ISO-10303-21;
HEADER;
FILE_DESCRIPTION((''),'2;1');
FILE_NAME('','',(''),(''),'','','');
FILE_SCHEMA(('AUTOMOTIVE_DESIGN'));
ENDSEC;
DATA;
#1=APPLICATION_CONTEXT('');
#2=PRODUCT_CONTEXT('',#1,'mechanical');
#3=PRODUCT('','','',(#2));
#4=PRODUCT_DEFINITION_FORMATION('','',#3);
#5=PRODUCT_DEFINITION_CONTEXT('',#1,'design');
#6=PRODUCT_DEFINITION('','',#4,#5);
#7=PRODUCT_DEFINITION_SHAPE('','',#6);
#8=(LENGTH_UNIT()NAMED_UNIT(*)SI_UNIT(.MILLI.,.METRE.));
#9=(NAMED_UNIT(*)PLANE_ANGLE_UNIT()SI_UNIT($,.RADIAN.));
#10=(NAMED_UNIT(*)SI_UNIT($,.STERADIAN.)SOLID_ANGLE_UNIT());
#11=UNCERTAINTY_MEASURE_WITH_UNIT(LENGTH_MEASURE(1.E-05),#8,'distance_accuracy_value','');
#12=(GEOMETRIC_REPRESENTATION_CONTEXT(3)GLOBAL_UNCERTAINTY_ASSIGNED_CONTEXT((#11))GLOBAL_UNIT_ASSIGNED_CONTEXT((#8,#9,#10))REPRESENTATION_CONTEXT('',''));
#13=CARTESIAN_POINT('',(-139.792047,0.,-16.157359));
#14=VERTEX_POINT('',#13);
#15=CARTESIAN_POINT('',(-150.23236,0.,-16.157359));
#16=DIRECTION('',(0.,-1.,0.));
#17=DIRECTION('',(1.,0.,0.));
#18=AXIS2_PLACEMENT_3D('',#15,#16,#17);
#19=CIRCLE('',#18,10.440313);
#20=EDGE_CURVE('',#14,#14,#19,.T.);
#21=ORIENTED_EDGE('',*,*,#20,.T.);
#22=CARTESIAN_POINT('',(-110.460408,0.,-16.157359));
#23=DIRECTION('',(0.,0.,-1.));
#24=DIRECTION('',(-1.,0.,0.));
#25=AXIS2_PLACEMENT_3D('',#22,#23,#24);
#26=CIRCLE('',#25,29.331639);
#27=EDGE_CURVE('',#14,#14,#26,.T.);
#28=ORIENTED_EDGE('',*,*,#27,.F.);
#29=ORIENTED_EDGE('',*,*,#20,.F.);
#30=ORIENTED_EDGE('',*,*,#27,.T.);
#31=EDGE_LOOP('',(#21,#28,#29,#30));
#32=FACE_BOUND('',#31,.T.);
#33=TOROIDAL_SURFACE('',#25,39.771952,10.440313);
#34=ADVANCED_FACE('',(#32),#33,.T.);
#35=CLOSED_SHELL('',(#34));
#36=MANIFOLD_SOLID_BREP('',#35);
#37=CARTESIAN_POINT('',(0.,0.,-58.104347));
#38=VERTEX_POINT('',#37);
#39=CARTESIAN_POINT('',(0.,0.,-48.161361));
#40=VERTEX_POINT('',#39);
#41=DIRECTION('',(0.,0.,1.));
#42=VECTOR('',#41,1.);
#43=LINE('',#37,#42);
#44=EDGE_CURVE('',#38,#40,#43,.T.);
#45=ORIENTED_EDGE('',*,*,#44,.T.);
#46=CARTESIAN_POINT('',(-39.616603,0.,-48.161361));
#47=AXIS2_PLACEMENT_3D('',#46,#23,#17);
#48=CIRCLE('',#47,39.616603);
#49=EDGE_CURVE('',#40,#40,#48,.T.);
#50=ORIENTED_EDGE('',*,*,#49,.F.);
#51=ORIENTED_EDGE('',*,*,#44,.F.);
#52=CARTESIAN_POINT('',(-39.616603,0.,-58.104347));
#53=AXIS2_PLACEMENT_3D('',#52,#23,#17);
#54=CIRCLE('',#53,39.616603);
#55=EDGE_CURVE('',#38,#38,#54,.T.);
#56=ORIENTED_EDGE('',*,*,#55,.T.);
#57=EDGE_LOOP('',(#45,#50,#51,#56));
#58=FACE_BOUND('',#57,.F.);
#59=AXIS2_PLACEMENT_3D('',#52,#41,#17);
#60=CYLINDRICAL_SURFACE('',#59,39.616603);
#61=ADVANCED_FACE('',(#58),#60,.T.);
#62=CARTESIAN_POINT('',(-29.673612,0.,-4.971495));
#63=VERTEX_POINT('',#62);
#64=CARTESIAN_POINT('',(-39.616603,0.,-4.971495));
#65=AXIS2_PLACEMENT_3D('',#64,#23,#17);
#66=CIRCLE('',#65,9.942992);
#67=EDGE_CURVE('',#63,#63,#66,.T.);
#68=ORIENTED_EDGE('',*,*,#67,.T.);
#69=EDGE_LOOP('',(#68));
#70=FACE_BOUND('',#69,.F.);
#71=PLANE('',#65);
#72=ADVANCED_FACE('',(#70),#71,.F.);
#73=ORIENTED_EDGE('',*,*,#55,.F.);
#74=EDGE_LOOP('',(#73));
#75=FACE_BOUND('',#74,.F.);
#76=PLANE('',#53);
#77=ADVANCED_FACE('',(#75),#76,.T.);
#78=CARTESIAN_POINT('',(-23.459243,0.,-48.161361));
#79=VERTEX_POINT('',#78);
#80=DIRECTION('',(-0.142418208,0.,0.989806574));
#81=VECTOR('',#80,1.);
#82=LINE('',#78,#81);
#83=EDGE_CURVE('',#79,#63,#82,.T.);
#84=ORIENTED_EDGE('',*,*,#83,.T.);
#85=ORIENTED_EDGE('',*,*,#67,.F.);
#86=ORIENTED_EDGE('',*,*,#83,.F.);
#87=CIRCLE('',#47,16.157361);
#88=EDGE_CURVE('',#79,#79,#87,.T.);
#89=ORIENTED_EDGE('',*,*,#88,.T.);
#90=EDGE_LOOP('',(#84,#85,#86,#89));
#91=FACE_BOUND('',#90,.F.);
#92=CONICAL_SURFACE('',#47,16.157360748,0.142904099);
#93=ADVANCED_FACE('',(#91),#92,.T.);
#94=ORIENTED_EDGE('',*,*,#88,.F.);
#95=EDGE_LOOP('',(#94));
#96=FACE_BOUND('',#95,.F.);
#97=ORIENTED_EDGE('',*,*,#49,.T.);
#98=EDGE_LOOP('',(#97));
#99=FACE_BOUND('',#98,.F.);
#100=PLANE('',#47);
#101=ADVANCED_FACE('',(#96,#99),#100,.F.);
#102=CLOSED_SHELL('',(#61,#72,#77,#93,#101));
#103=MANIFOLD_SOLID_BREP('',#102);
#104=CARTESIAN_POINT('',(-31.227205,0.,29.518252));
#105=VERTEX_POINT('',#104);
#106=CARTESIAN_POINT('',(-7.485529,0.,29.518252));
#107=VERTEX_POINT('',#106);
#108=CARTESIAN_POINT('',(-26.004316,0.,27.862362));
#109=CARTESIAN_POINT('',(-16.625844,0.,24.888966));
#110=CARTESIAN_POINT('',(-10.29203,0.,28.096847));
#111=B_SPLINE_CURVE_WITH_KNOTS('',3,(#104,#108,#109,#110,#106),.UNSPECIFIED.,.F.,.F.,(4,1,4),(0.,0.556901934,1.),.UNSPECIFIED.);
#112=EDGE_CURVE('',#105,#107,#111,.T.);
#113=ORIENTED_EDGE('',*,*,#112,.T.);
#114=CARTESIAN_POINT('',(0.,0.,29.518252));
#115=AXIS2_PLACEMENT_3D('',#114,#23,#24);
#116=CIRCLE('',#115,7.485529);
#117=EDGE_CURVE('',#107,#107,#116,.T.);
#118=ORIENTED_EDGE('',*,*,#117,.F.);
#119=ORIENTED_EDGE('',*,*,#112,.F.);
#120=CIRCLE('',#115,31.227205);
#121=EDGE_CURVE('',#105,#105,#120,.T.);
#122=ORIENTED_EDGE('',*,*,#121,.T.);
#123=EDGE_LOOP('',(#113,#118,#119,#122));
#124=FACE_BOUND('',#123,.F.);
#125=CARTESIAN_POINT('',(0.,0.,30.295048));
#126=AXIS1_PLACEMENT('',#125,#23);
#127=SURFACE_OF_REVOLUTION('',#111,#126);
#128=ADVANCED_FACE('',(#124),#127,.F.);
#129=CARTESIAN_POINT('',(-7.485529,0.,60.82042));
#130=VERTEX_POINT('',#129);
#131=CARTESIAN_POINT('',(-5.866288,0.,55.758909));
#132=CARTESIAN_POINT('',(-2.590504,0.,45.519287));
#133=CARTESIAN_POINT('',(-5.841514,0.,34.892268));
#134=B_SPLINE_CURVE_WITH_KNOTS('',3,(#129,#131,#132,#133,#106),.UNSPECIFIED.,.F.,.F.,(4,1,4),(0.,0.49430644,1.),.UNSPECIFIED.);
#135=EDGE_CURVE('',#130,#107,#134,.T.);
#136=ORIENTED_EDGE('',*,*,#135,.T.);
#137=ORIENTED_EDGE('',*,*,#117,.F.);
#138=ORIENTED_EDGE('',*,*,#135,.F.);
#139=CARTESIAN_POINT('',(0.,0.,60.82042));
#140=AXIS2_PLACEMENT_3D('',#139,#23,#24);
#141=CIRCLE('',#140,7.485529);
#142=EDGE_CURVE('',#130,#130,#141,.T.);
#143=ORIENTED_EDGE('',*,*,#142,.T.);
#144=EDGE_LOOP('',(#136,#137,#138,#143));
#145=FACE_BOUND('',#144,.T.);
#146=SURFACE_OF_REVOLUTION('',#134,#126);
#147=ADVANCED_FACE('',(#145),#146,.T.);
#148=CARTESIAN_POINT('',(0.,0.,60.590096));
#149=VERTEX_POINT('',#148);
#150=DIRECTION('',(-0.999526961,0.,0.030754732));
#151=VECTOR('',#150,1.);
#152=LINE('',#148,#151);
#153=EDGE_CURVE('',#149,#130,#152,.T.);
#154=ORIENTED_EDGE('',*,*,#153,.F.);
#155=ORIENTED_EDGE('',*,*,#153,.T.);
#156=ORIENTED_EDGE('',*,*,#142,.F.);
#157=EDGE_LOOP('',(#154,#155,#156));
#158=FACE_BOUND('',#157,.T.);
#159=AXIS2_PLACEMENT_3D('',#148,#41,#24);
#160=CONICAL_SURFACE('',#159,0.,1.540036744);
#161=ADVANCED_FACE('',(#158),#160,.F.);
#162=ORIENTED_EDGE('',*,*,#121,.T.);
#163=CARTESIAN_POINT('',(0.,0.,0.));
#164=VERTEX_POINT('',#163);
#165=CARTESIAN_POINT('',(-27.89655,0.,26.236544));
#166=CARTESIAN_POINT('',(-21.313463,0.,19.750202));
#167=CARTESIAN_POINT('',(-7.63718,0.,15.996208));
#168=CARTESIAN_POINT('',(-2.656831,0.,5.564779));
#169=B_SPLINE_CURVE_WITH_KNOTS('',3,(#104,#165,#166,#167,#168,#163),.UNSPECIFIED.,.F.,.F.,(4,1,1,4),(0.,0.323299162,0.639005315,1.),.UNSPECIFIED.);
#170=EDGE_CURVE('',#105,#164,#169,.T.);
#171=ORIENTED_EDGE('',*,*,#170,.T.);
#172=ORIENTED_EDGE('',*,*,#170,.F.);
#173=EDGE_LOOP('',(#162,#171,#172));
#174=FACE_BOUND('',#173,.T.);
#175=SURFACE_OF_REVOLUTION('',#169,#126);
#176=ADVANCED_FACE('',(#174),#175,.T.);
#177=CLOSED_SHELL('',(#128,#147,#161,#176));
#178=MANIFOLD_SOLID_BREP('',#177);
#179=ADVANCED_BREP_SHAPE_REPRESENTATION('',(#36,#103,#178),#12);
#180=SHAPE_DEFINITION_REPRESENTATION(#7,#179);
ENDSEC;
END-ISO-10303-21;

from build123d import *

# Parameters (mm, degrees)
F4_R = 10.4403131941


with BuildPart() as f1:
    # F0 (on Front) → F1 (revolve)
    with BuildSketch(Plane.XZ):
        with BuildLine():
            Line((0, 0), (0, 60.590095818))
            Line((0, 60.590095818), (-7.4855289422, 60.8204202103))
            add(Edge.make_bspline(
                [(-7.4855289422, 60.8204202103), (-5.8662878599, 55.7589090862), (-2.5905039536, 45.5192870417), (-5.8415140662, 34.8922675521), (-7.4855289422, 29.5182522386)],
                knots=[0, 0, 0, 0, 0.4943064404, 1, 1, 1, 1], degree=3))
            add(Edge.make_bspline(
                [(-31.2272049487, 29.5182522386), (-26.0043157829, 27.8623622158), (-16.6258438306, 24.8889661427), (-10.2920297246, 28.0968466077), (-7.4855289422, 29.5182522386)],
                knots=[0, 0, 0, 0, 0.5569019337, 1, 1, 1, 1], degree=3))
            add(Edge.make_bspline(
                [(-31.2272049487, 29.5182522386), (-27.8965497403, 26.2365440032), (-21.3134631392, 19.7502017786), (-7.6371796219, 15.9962078821), (-2.6568306317, 5.5647787791), (0, 0)],
                knots=[0, 0, 0, 0, 0.3232991618, 0.6390053149, 1, 1, 1, 1], degree=3))
        make_face()
    revolve(axis=Axis((0, 0, 30.295047909), (0, 0, -1)))


with BuildPart() as f3:
    # F2 (on Front) → F3 (revolve)
    with BuildSketch(Plane.XZ):
        Polygon((-29.6736117452, -4.9714948982), (-39.6166034043, -4.9714948982), (-39.6166034043, -58.1043474376), (0, -58.1043474376), (0, -48.1613613665), (-23.4592426568, -48.1613613665), align=None)
    revolve(axis=Axis((-39.6166034043, 0, -31.5379211679), (0, 0, -1)))


with BuildPart() as f5:
    # F4 (on Front) → F5 (revolve)
    with BuildSketch(Plane.XZ):
        with Locations((-150.232359767, -16.1573588848)):
            Circle(F4_R)
    revolve(axis=Axis((-110.4604080319, 0, -17.555592116), (0, 0, -1)))


solid = Compound([f1.part, f3.part, f5.part])
